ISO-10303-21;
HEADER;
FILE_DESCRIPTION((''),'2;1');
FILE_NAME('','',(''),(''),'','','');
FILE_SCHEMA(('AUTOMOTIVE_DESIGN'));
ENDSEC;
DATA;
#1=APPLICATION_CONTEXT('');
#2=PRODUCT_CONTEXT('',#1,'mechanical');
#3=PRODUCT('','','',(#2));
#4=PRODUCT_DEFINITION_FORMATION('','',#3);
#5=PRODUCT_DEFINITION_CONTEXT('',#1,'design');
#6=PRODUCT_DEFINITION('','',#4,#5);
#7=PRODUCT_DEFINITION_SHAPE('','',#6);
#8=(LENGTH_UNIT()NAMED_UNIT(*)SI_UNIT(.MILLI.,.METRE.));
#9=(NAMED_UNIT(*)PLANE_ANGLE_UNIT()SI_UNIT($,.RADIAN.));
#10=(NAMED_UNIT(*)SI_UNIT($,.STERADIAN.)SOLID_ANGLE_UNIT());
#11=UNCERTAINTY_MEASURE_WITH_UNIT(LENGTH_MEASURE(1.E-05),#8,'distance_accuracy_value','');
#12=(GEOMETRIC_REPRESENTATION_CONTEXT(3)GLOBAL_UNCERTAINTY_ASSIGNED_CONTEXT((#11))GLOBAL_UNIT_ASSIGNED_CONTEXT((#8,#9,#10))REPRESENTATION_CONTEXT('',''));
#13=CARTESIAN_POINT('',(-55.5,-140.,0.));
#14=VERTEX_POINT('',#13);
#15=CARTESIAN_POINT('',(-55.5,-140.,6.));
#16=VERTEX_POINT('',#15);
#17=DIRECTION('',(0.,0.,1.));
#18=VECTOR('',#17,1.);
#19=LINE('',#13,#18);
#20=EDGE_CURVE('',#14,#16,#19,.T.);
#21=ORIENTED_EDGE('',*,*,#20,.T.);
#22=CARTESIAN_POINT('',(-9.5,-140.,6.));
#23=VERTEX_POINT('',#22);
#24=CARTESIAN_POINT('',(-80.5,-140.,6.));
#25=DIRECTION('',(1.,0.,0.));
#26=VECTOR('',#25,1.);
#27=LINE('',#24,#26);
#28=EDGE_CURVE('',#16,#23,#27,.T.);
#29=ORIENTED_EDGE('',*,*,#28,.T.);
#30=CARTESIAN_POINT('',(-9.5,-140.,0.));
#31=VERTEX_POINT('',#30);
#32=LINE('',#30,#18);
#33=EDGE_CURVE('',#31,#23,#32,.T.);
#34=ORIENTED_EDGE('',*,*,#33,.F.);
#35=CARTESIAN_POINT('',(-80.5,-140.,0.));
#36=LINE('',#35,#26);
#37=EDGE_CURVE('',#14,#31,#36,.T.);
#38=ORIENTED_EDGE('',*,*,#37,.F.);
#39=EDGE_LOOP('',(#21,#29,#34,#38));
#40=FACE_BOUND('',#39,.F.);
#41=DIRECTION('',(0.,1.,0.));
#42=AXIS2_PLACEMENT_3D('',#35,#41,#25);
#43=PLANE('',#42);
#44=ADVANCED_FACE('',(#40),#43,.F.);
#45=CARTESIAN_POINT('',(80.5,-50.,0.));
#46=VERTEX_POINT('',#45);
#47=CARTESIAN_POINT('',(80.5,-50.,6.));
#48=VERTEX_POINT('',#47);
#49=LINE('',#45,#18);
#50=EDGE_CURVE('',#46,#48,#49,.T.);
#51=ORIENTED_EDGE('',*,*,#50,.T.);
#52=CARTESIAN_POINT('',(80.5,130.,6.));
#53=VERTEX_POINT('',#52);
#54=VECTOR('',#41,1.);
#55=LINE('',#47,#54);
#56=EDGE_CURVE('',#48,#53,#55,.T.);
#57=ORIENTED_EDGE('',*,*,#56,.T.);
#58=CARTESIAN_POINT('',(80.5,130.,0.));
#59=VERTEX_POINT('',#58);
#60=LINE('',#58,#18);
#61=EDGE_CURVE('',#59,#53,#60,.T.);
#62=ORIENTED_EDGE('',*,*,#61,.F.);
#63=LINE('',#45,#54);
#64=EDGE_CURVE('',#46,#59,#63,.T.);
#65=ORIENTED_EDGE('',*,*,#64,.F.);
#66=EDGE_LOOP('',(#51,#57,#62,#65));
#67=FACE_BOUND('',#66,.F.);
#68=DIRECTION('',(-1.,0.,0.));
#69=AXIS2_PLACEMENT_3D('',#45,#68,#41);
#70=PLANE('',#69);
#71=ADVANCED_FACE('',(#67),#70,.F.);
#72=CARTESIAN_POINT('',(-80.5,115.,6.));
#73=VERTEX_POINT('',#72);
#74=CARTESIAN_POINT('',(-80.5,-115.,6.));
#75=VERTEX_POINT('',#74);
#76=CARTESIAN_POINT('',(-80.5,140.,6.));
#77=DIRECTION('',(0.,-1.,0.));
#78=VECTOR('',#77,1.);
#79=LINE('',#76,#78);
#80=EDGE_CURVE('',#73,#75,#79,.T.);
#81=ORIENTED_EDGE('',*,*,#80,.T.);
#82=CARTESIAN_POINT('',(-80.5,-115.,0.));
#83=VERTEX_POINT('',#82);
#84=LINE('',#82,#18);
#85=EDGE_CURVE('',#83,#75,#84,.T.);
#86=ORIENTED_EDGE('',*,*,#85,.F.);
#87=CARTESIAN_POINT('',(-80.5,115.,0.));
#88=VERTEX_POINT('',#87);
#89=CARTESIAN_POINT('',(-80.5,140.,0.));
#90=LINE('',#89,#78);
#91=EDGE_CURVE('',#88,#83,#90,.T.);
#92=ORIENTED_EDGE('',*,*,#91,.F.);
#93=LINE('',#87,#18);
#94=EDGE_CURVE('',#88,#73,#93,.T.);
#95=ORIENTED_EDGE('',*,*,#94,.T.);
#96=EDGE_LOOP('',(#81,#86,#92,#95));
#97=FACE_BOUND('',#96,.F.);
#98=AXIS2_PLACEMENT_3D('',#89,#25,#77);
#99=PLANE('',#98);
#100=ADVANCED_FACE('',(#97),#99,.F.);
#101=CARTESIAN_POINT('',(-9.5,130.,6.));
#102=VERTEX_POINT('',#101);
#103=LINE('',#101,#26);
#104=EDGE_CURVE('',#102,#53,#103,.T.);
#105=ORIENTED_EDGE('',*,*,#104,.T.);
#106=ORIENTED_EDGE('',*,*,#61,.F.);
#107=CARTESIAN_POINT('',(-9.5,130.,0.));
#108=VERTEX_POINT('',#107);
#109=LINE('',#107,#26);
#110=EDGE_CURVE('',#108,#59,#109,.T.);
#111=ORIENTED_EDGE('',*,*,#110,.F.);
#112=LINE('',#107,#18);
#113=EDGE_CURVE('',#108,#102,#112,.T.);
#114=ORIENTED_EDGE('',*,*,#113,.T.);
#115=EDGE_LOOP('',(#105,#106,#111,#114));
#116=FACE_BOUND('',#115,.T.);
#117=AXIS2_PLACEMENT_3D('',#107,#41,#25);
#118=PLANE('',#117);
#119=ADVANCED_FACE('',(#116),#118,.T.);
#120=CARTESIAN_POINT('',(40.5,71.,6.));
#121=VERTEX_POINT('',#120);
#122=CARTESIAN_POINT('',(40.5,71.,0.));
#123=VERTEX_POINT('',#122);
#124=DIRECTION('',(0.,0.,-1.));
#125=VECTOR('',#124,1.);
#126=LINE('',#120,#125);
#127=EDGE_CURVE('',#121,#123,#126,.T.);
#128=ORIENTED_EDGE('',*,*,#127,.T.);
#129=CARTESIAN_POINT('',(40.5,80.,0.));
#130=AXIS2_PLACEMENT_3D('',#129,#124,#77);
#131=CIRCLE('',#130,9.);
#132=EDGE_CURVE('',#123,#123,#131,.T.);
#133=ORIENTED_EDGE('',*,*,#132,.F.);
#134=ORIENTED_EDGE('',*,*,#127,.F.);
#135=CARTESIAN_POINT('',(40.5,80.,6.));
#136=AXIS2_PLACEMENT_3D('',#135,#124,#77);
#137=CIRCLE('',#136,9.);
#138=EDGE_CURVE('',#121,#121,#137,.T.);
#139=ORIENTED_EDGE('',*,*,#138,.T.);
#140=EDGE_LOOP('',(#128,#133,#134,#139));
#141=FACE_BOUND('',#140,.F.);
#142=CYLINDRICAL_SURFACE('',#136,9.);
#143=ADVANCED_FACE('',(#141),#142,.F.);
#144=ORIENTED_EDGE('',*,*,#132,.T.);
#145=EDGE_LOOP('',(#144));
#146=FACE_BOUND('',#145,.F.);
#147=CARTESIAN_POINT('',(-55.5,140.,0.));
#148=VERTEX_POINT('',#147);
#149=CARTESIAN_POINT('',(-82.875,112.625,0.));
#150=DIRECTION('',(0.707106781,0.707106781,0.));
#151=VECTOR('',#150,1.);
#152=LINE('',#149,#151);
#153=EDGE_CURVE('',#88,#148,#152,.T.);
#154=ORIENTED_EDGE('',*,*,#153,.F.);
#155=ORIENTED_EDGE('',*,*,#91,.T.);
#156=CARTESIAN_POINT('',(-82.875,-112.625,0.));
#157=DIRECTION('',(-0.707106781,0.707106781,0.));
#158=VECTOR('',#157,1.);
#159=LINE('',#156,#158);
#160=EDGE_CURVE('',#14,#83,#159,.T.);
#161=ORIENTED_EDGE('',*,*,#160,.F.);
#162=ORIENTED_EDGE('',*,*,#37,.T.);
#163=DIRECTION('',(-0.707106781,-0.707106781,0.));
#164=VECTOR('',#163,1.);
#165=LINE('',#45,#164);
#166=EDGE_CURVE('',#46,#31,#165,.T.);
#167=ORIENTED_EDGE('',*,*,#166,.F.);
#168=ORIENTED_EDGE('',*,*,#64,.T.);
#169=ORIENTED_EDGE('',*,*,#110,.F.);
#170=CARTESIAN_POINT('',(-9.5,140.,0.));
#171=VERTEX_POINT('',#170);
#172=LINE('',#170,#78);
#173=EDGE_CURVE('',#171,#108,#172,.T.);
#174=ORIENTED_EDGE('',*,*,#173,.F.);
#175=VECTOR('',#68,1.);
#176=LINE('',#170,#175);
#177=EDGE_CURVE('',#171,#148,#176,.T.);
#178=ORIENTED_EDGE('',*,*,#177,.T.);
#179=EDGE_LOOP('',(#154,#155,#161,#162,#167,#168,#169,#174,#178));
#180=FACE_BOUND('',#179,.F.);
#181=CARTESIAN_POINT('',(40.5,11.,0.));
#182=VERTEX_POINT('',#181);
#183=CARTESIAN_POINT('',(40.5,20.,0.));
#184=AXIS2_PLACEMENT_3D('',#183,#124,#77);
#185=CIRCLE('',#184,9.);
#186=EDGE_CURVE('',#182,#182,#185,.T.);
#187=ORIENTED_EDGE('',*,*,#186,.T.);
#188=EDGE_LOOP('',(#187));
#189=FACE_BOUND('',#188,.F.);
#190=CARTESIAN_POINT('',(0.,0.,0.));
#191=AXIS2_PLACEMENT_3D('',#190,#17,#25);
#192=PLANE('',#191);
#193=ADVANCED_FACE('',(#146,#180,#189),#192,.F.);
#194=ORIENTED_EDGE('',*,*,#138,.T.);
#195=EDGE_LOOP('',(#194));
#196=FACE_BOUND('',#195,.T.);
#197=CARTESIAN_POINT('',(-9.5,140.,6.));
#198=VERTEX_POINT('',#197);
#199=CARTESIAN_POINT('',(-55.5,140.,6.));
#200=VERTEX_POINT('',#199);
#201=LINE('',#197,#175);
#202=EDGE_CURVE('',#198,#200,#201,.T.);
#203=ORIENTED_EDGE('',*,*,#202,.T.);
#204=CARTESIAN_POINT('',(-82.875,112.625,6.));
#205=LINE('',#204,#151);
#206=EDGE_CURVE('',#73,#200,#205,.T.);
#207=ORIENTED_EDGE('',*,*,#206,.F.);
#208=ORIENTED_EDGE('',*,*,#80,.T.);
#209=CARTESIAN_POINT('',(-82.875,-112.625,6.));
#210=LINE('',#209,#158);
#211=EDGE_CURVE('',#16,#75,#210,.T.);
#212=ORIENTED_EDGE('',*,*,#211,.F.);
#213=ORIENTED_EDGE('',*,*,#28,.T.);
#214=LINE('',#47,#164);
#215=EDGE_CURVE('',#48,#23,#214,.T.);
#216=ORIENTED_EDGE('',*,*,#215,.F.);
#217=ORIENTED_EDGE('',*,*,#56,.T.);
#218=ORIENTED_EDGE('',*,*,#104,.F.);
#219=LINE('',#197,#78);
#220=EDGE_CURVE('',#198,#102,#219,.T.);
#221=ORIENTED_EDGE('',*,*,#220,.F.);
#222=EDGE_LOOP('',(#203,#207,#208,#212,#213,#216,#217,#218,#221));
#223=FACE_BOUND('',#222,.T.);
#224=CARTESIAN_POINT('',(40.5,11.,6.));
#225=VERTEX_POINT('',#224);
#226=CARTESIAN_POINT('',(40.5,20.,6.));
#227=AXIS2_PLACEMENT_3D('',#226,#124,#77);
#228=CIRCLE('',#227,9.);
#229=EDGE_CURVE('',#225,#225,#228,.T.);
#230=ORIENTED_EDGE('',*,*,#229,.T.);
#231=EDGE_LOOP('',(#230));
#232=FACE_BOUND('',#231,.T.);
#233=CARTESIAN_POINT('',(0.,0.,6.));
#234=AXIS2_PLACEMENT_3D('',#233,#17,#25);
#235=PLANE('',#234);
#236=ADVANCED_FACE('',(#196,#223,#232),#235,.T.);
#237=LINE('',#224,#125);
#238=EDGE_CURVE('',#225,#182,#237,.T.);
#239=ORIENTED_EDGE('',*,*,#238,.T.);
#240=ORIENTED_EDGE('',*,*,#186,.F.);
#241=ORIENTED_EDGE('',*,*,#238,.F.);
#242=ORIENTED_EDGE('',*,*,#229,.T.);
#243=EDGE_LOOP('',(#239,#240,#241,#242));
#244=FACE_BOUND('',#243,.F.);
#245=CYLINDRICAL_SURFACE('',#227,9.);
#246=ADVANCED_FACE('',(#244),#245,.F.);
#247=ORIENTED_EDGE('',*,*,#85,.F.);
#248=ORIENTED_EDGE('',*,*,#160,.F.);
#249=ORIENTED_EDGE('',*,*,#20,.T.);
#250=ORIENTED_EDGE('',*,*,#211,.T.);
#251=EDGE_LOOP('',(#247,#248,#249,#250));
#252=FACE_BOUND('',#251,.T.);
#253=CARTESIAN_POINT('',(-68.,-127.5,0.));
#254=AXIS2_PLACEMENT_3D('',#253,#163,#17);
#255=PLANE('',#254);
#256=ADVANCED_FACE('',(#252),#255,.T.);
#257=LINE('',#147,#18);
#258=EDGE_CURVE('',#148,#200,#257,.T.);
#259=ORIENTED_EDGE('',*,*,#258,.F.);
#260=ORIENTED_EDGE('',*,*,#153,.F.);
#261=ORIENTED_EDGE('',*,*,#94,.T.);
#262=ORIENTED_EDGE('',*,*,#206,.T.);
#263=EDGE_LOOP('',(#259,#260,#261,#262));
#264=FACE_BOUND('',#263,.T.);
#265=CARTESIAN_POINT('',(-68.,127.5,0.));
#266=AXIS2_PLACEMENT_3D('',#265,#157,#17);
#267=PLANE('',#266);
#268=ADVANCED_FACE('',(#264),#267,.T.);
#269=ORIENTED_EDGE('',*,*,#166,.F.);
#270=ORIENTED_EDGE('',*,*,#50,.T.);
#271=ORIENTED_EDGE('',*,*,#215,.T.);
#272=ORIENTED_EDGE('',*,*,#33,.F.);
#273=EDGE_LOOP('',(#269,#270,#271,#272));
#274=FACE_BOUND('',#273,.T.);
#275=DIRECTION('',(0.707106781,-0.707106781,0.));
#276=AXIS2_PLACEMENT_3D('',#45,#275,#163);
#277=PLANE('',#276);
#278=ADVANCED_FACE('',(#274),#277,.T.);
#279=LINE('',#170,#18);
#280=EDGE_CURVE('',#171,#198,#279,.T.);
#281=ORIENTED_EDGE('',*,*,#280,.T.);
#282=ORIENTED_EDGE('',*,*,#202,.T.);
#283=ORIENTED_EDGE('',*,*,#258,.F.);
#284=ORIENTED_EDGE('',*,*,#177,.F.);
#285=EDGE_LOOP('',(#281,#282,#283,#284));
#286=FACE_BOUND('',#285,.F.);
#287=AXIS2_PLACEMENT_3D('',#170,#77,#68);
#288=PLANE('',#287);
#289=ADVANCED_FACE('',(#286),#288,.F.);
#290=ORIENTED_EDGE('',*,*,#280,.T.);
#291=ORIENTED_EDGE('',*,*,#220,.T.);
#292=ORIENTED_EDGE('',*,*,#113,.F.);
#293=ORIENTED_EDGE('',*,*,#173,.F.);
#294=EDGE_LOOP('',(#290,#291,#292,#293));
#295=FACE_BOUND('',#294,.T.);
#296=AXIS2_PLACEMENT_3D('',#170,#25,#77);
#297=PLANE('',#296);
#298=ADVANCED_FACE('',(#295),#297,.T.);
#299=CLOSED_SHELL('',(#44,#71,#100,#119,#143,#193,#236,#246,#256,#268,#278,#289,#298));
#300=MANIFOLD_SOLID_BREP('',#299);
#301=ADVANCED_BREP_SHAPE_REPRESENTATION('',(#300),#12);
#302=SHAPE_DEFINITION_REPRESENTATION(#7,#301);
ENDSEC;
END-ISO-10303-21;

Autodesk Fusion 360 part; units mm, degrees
sketch "スケッチ1" plane through (0, 0, 0) normal (0, 0, 1) x (1, 0, 0)
  line L0 (-9.5, 140) -> (-80.5, 140)
  line L1 (-80.5, 140) -> (-80.5, -140)
  line L2 (-80.5, -140) -> (-9.5, -140)
  line L3 (80.5, -50) -> (80.5, 130)
  line L4 (74.75, 130) -> (-80.5, -140) construction
  line L5 (-80.5, 140) -> (47.6429, -82.8571) construction
  line L6 (-9.5, 140) -> (-9.5, 130)
  line L7 (-9.5, 130) -> (80.5, 130)
  line L8 (-80.5, -140) -> (-9.5, -140) construction
  line L9 (80.5, -50) -> (-9.5, -140)
  dimension "d2" = 280
  dimension "d5" = 71
extrude "押し出し1" add sketch "スケッチ1" along normal blind 6
chamfer "面取り1" distance 25 angle 45 2 edges at (-80.5, -140, 3) (-80.5, 140, 3)
sketch "スケッチ2" plane through (0, 0, 6) normal (0, 0, 1) x (-1, 0, 0)
  line L0 (55.5, -140) -> (80.5, -115)
  line L1 (80.5, -115) -> (80.5, 115)
  line L2 (80.5, 115) -> (55.5, 140)
  line L3 (55.5, 140) -> (9.5, 140)
  line L4 (9.5, 140) -> (-80.5, 50)
  line L5 (-80.5, 50) -> (-80.5, -130)
  line L6 (-80.5, -130) -> (9.5, -130)
  line L7 (9.5, -130) -> (9.5, -140)
  line L8 (9.5, -140) -> (55.5, -140)
  line L9 (-80.5, -130) -> (-40.5, -130) construction
  line L10 (-40.5, -130) -> (-40.5, -80) construction
  line L11 (-40.5, -80) -> (-80.5, -80) construction
  line L12 (-80.5, -80) -> (-80.5, -130) construction
  line L13 (-40.5, -80) -> (-40.5, -20) construction
  point P0 (-40.5, -80)
  point P1 (-40.5, -20)
  dimension "d10" = 40
  dimension "d11" = 50
  dimension "d12" = 60
hole "穴1" at (40.5, 80, 6) at (40.5, 20, 6) direction (0, 0, -1) diameter 18 end through all
equation "d5 = 25 mm + 46 mm"
